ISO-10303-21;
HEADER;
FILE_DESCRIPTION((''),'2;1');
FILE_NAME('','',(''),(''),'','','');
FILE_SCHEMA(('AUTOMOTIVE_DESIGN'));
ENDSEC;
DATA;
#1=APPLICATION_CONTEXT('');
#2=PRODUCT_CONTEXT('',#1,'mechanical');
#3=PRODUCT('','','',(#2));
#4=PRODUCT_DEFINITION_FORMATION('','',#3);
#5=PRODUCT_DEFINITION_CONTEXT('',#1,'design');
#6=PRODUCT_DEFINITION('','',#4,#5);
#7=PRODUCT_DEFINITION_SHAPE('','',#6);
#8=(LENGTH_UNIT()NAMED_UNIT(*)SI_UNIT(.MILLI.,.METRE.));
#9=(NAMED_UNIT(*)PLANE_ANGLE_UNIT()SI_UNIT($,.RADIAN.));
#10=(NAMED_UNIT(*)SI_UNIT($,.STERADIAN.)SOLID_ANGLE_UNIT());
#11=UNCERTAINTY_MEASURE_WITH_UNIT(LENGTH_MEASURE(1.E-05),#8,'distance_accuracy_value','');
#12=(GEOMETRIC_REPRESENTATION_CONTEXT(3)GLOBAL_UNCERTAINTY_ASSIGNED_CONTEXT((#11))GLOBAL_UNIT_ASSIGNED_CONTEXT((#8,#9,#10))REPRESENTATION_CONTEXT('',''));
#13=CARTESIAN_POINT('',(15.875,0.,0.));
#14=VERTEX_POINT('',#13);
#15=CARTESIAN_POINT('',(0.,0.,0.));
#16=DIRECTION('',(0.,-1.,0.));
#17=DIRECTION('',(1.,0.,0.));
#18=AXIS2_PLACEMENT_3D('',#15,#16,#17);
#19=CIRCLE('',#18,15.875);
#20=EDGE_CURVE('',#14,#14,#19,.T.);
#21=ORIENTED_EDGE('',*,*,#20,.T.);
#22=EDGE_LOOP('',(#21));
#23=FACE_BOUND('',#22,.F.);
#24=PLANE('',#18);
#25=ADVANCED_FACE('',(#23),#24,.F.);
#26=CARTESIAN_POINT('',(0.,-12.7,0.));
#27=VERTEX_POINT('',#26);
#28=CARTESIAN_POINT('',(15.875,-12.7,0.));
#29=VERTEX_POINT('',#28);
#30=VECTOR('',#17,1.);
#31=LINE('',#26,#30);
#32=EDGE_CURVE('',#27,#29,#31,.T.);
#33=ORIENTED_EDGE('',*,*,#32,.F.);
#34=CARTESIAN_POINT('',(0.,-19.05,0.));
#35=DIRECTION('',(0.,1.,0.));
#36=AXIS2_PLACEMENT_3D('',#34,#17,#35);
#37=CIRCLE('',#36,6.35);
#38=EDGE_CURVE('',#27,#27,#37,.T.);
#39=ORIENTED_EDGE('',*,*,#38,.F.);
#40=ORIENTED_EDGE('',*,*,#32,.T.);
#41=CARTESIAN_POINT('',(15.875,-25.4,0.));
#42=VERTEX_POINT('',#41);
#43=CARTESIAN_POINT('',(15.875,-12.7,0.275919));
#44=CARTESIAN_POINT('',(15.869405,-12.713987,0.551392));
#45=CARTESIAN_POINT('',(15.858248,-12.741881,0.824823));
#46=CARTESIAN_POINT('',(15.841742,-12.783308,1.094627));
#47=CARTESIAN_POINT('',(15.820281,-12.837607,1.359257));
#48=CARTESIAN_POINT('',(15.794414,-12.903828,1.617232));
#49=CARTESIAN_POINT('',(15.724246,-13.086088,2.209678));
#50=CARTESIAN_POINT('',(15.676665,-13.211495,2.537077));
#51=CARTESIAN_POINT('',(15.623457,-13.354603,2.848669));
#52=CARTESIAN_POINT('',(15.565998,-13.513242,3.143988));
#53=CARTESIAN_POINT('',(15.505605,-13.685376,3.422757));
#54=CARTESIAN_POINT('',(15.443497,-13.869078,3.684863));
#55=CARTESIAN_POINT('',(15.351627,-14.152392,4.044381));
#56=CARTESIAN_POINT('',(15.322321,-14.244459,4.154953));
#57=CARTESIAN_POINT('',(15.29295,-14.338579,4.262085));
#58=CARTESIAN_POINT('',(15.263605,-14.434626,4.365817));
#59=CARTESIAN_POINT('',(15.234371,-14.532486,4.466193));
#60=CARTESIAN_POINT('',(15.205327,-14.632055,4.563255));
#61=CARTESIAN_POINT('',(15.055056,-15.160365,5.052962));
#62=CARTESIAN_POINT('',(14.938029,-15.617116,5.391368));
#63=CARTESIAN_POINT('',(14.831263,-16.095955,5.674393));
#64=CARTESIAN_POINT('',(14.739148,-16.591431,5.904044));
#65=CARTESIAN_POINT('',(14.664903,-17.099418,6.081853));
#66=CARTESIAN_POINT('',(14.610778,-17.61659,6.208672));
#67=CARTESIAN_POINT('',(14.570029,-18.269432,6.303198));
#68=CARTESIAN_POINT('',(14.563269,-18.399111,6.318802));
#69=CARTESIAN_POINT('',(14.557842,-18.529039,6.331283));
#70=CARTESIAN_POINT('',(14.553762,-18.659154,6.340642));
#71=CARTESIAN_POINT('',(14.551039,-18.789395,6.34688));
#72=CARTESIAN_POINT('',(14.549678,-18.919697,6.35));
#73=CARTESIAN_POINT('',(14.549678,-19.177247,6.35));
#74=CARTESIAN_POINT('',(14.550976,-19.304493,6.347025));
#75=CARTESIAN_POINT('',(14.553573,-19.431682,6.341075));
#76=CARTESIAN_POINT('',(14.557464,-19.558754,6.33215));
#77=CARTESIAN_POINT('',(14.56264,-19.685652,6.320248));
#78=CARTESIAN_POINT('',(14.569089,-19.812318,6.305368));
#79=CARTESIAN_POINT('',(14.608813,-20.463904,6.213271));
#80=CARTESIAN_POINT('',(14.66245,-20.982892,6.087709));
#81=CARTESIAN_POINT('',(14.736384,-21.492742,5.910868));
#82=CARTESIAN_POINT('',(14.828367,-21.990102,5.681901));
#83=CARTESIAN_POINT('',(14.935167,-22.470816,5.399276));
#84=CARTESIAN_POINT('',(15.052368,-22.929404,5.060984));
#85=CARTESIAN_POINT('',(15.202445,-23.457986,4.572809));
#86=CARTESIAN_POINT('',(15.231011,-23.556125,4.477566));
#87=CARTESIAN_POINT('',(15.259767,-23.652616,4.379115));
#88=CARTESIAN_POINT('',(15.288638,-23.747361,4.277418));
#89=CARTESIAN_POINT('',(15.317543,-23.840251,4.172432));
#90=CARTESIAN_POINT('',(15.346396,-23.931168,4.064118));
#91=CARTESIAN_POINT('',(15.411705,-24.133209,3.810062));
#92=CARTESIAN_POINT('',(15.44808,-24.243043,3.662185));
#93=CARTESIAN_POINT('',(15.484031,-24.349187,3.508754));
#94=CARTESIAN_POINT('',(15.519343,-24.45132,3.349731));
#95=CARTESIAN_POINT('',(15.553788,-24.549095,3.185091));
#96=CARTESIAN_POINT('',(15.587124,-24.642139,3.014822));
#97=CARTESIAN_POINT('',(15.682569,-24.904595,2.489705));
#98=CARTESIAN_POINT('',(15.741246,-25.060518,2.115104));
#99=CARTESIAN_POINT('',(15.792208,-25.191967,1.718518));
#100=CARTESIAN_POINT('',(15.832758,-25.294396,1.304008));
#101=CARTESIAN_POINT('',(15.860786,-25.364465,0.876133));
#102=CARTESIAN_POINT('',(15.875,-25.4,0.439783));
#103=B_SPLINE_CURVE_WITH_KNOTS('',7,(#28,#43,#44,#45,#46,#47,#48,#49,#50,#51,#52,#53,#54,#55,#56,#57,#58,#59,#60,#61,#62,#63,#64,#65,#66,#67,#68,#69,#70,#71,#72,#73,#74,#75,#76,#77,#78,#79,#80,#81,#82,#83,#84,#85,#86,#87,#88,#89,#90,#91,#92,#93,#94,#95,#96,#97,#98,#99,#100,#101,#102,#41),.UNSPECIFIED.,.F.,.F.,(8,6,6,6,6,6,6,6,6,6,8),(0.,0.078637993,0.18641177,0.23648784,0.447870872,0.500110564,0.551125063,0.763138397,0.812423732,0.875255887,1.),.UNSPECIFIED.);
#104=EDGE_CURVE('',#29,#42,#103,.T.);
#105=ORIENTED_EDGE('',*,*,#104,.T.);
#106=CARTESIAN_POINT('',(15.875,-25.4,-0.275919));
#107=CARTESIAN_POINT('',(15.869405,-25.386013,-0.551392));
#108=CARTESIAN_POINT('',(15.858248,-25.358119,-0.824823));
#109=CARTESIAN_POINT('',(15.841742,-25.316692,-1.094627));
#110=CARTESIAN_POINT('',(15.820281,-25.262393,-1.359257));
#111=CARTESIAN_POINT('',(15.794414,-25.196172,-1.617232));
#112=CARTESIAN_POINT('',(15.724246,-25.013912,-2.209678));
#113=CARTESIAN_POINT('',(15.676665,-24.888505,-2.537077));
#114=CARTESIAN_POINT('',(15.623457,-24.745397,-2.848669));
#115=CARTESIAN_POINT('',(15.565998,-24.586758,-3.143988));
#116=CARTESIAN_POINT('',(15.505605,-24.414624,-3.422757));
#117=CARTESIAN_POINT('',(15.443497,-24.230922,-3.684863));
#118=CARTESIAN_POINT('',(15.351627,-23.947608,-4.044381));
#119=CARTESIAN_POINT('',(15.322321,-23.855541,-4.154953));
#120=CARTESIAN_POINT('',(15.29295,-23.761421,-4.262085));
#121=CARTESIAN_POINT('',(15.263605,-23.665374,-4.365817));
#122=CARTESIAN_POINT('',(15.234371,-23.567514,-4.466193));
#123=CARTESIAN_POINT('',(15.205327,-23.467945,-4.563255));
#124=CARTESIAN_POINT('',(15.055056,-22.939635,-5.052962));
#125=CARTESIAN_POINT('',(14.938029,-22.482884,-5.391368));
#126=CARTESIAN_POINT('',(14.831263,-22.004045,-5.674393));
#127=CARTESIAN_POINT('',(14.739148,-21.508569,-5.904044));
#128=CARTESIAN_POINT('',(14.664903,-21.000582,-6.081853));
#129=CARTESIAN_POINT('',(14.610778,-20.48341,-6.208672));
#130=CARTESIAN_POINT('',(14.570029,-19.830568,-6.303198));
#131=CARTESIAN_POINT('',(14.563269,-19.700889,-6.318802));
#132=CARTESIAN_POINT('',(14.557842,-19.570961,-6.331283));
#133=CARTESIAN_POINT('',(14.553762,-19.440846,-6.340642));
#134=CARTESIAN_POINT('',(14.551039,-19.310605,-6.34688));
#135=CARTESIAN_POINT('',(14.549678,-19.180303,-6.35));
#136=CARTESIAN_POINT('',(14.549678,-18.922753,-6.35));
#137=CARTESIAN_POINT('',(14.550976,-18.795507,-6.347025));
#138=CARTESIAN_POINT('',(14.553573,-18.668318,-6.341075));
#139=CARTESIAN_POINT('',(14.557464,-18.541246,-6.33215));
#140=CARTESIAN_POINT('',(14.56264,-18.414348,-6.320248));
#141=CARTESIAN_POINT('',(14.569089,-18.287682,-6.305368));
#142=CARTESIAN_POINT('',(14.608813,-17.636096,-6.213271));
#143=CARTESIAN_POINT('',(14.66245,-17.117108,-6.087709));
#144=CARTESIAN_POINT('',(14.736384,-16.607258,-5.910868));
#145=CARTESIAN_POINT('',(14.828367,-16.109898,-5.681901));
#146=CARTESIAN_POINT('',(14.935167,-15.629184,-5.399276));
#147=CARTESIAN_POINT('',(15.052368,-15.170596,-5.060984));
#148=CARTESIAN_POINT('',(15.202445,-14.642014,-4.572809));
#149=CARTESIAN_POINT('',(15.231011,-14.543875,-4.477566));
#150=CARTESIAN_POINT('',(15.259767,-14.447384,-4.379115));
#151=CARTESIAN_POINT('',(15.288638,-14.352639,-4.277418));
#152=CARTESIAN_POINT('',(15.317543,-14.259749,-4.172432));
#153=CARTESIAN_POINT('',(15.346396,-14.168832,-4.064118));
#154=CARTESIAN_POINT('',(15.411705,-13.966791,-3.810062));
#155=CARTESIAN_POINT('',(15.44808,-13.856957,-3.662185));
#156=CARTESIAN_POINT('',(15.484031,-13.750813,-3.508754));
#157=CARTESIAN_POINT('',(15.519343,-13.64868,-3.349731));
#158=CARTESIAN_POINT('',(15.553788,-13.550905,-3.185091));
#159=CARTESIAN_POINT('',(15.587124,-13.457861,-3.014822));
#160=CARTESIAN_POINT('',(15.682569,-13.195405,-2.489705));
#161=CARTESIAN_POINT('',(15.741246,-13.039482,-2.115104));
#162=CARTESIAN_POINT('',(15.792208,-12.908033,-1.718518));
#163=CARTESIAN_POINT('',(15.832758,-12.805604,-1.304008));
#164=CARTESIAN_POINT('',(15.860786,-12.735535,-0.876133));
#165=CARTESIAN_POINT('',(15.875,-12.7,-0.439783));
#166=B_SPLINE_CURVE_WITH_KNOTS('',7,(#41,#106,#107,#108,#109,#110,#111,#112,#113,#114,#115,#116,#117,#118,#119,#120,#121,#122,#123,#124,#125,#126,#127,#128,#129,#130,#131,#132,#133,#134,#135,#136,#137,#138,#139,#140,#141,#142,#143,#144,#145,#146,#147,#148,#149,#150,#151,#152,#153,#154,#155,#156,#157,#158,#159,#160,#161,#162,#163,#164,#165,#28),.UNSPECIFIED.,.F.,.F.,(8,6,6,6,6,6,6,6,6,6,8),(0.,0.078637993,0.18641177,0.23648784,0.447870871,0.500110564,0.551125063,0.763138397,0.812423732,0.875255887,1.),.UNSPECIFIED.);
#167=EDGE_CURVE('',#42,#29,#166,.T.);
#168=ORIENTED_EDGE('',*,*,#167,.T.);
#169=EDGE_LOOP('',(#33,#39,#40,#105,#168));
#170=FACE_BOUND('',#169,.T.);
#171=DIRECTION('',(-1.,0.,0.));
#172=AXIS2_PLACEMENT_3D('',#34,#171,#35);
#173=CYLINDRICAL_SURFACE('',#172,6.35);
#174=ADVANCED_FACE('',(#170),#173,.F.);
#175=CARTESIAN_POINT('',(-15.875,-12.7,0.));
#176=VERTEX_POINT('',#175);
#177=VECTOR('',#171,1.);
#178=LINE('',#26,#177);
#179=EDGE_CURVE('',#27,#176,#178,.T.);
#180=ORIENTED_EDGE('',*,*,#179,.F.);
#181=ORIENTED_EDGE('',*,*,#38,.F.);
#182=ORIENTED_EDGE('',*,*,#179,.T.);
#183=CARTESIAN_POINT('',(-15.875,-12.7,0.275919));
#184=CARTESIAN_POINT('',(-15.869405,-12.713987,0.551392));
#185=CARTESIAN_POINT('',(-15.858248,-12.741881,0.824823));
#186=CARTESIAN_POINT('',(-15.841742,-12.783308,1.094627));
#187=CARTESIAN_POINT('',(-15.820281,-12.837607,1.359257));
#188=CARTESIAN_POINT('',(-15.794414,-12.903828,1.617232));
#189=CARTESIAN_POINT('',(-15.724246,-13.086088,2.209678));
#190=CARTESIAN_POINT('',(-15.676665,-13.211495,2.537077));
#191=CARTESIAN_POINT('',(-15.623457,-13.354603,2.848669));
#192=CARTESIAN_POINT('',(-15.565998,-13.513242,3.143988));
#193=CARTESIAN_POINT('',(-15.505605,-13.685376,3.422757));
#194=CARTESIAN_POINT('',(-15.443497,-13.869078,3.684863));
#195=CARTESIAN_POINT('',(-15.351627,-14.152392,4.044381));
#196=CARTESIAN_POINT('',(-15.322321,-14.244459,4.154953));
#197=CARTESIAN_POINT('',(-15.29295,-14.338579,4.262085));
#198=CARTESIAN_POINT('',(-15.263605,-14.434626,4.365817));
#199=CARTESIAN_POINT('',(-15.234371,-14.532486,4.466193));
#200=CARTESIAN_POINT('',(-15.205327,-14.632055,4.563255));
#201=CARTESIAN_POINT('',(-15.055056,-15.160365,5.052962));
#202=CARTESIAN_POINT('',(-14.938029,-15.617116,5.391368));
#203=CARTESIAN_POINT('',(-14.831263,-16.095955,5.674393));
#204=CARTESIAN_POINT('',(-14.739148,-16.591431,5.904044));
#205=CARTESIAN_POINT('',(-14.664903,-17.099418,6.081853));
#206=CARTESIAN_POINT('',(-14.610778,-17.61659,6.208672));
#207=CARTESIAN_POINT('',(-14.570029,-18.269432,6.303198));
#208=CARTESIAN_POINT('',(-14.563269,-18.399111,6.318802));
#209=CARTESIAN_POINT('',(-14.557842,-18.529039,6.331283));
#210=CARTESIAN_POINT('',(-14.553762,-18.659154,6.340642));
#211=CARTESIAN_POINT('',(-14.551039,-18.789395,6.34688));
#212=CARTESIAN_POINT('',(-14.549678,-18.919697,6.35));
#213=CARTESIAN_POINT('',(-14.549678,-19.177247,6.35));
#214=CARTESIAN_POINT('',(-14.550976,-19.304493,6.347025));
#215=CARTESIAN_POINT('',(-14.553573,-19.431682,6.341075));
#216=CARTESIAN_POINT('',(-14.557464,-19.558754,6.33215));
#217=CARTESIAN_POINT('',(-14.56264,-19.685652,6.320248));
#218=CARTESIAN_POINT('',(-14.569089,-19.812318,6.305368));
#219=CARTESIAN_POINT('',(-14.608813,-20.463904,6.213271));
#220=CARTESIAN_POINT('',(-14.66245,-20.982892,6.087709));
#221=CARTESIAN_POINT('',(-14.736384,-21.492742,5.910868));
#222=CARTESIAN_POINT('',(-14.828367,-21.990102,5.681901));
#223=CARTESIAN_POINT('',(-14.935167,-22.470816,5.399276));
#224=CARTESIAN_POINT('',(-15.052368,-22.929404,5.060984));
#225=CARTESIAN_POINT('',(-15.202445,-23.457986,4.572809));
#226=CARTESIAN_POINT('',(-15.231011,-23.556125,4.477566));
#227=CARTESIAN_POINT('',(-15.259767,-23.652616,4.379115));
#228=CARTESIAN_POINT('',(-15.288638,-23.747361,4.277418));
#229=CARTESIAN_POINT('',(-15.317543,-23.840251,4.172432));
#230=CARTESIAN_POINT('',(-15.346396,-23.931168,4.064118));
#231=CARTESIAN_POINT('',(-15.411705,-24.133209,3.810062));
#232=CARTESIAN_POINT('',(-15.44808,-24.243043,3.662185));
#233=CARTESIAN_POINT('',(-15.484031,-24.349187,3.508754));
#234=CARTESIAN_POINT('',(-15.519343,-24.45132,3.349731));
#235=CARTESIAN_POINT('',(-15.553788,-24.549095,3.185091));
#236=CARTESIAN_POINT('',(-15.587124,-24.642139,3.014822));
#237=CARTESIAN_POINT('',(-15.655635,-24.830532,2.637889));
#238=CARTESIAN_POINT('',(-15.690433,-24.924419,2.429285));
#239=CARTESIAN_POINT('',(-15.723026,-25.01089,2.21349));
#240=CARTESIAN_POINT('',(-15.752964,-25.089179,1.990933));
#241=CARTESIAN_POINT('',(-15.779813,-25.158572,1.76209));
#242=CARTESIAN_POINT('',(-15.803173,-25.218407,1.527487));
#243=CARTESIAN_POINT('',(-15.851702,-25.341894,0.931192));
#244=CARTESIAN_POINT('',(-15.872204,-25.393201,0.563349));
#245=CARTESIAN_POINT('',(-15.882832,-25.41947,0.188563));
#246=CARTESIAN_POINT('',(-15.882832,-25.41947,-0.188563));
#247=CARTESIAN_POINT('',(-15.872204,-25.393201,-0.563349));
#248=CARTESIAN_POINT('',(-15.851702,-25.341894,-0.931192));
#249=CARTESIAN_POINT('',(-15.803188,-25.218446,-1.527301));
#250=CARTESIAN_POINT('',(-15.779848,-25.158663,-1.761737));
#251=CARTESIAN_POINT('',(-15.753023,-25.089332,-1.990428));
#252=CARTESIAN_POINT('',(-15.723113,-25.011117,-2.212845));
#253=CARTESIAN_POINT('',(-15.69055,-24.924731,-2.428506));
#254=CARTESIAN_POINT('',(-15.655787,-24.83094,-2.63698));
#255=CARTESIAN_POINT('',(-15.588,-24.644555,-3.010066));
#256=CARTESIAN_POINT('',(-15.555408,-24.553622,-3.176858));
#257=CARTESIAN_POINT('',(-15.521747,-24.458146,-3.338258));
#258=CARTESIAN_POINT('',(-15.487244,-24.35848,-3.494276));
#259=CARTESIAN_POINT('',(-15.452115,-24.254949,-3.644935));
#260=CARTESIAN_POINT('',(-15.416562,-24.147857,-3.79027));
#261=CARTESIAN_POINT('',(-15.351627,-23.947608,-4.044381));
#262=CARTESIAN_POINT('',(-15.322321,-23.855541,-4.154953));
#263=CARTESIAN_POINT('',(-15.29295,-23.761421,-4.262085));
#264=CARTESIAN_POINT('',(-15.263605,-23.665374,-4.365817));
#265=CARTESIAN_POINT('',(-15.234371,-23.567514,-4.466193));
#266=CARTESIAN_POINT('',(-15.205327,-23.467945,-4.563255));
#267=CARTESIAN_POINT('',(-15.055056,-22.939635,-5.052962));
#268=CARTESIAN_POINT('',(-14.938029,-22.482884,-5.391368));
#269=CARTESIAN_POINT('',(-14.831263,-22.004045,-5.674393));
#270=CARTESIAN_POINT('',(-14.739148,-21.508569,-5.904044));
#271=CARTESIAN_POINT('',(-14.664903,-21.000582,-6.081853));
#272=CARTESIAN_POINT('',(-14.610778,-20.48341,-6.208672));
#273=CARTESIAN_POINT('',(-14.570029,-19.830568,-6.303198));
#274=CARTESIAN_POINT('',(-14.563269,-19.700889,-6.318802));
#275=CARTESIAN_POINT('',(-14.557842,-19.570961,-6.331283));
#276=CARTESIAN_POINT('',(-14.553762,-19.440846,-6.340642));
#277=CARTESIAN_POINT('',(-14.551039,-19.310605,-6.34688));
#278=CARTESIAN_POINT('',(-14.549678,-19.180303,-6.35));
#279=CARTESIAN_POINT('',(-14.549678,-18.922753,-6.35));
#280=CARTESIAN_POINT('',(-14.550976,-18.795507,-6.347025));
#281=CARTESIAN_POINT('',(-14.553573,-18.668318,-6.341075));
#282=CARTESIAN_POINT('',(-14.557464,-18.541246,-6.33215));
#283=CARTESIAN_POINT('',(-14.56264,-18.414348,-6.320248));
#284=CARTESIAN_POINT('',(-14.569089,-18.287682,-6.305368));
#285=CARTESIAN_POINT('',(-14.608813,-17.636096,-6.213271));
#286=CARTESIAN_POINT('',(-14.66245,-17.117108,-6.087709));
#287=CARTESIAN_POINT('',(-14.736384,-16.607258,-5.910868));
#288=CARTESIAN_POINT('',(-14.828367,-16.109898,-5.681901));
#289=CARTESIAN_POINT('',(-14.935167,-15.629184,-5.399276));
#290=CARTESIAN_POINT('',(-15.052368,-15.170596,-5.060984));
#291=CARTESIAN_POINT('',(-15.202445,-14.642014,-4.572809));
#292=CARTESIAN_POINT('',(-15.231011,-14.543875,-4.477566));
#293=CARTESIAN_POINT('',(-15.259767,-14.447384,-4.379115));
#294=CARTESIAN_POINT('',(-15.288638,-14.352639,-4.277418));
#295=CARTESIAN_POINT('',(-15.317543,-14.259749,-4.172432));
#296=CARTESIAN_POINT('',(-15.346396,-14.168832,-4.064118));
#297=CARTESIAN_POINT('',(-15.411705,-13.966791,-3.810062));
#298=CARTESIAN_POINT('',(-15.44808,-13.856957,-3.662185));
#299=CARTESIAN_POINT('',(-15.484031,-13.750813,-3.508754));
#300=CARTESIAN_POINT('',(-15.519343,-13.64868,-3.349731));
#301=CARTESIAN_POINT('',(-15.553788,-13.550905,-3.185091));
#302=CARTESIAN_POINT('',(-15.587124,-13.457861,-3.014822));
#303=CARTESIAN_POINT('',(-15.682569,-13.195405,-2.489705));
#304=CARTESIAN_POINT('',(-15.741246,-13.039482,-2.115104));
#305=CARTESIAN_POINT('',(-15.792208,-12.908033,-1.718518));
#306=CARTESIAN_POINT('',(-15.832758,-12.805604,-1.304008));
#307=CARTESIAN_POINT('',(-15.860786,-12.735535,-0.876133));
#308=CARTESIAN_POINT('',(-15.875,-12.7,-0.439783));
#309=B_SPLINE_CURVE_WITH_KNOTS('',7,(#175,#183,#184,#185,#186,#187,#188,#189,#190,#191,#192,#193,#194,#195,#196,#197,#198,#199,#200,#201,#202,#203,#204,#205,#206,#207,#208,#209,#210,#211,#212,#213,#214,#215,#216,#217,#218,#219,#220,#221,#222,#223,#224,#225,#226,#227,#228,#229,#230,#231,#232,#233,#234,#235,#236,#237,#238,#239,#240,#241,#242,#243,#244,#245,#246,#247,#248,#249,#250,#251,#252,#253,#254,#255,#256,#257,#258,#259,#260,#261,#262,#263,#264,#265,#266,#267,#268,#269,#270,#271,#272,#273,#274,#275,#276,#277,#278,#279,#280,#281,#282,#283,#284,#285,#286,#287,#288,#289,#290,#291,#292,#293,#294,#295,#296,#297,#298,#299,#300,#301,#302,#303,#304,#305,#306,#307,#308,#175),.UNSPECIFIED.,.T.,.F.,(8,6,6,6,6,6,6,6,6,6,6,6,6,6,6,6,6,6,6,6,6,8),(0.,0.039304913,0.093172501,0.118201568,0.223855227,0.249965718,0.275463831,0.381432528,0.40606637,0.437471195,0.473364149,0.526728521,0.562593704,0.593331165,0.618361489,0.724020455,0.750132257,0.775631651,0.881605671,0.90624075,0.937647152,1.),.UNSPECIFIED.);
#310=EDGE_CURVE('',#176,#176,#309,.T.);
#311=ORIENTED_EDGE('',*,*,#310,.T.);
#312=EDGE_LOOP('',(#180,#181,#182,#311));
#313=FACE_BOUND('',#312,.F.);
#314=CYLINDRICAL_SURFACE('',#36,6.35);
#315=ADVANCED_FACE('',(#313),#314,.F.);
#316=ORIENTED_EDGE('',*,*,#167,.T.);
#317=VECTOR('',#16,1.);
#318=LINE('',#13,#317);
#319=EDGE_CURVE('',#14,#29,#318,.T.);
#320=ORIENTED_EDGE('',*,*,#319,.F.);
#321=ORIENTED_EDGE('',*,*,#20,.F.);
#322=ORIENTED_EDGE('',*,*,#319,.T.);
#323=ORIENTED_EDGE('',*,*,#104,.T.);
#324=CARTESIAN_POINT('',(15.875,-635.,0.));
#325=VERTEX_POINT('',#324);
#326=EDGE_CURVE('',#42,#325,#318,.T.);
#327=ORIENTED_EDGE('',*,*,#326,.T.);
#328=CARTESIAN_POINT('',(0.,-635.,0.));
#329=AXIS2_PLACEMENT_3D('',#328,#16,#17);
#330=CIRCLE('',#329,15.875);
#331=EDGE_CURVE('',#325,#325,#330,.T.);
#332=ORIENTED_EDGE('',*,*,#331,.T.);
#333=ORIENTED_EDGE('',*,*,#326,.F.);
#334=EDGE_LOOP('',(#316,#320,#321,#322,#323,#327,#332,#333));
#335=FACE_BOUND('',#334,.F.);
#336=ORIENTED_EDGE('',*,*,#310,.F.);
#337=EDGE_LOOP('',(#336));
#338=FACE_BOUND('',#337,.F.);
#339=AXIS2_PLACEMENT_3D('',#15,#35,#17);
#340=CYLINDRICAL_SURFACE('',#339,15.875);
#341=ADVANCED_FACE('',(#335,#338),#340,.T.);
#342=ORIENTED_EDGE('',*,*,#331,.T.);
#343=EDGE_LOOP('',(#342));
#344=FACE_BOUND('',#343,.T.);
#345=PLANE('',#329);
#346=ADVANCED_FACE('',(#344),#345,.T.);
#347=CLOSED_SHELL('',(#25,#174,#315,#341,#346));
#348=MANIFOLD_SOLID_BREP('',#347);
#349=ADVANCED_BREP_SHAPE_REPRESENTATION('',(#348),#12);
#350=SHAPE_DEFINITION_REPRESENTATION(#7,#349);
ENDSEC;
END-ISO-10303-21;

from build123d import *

# Parameters (mm, degrees)
F0_R          = 15.875
F1_DEPTH      = 635
F2_R          = 6.35
F3_DEPTH      = 15.876
F3_DEPTH_BACK = 15.876


with BuildPart() as f1:
    # F0 (on Front) → F1 (new body)
    with BuildSketch(Plane.XZ):
        Circle(F0_R)
    extrude(amount=F1_DEPTH)

    # F2 (on Right) → F3 (cut, two sides)
    with BuildSketch(Plane.YZ) as f3_sk:
        with Locations((-19.05, 0)):
            Circle(F2_R)
    extrude(amount=-F3_DEPTH, mode=Mode.SUBTRACT)
    extrude(f3_sk.sketch, amount=F3_DEPTH_BACK, mode=Mode.SUBTRACT)


solid = f1.part
